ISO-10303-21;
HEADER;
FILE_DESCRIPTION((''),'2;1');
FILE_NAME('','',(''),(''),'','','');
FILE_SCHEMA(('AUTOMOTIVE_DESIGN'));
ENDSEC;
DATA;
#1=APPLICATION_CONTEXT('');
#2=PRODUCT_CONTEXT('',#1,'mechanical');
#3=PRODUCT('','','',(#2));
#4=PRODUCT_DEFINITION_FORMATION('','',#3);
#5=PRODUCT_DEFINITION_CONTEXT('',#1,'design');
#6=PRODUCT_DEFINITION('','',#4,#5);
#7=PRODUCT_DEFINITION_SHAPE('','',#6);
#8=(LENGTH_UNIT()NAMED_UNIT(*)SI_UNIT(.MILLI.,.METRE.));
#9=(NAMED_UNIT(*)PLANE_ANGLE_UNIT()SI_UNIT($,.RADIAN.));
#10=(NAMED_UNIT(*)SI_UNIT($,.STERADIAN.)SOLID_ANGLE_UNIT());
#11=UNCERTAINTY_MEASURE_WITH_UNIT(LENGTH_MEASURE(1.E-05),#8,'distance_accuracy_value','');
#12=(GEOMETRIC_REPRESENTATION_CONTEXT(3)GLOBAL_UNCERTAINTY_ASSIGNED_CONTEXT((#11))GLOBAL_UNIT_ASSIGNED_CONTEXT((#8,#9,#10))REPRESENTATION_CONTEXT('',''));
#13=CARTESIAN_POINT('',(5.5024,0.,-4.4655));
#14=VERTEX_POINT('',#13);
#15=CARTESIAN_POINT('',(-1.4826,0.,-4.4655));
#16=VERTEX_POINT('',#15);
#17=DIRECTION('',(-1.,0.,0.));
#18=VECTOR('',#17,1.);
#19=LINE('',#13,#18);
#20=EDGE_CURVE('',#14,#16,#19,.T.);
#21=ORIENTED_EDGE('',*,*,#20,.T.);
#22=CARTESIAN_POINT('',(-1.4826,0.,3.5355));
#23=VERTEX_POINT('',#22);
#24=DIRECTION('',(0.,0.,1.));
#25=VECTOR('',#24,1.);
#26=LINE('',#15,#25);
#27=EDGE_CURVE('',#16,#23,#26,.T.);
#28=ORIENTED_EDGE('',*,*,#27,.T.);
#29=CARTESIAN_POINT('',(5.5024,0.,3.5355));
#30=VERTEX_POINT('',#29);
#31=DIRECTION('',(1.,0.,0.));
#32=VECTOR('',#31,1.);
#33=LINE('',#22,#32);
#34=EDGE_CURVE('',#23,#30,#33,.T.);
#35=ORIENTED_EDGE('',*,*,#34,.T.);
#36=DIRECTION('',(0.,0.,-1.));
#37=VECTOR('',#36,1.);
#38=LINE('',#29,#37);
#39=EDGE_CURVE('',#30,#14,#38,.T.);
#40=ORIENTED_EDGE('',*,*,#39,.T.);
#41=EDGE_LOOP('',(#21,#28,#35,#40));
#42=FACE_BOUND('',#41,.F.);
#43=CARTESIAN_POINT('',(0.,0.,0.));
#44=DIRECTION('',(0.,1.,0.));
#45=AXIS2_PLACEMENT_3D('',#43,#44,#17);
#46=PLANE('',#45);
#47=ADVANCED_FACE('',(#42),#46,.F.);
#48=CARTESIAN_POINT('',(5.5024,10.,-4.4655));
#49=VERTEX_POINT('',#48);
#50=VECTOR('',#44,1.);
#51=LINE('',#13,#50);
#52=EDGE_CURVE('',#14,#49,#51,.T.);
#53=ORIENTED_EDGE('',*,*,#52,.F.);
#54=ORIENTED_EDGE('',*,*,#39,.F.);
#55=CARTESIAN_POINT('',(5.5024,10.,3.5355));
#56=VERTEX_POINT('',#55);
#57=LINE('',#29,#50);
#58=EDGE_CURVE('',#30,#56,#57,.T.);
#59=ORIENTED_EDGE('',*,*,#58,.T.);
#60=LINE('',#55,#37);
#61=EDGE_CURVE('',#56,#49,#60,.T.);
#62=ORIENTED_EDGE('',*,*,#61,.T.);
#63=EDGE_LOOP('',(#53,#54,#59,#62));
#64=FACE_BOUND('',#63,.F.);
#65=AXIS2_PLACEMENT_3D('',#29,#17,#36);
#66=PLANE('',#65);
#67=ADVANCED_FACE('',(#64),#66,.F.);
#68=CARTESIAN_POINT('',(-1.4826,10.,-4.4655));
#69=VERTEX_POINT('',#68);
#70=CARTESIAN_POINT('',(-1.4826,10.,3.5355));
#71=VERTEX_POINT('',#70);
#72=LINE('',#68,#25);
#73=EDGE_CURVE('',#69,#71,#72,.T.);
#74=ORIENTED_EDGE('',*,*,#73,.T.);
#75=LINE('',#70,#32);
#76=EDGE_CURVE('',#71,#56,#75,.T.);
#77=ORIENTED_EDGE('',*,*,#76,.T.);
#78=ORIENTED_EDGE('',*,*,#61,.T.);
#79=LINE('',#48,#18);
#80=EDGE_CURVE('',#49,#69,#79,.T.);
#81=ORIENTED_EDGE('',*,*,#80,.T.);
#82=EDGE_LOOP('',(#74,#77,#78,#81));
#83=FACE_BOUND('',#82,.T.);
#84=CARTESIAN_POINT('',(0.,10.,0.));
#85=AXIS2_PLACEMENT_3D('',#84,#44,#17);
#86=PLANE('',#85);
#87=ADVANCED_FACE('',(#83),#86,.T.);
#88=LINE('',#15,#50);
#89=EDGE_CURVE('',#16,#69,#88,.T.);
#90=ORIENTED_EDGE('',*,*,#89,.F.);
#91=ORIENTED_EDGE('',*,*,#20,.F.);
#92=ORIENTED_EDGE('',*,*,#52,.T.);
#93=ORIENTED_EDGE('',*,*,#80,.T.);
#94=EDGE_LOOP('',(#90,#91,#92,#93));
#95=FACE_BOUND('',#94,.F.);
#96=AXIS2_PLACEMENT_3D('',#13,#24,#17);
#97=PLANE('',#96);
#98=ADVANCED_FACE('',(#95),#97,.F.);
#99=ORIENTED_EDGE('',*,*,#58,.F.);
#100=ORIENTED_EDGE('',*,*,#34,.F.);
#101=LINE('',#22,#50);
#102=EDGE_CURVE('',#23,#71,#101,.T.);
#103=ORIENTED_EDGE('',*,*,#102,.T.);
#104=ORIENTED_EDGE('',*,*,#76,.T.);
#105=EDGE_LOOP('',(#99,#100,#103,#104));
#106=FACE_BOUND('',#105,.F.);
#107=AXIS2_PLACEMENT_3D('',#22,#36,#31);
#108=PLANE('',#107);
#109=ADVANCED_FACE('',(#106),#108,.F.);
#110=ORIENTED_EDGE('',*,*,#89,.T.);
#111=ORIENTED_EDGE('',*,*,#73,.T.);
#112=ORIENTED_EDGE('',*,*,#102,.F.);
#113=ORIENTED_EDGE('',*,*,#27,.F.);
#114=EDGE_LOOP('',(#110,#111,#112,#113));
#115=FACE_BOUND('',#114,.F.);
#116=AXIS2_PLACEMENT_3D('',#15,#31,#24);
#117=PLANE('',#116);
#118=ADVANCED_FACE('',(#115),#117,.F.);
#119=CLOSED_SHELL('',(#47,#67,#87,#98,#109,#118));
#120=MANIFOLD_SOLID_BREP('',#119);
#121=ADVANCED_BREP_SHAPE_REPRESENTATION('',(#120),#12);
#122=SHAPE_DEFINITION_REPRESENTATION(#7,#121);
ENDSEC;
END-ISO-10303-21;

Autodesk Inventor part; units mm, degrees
ref_plane "YZ Plane" through (0, 0, 0) normal (1, 0, 0) x (0, 1, 0)
ref_plane "XZ Plane" through (0, 0, 0) normal (0, 1, 0) x (-1, 0, 0)
ref_plane "XY Plane" through (0, 0, 0) normal (0, 0, 1) x (1, 0, 0)
sketch "Sketch1" plane through (0, 0, 0) normal (0, 1, 0) x (-1, 0, 0)
  line L0 (1.4826, 3.5355) -> (-5.5024, 3.5355)
  line L1 (-5.5024, 3.5355) -> (-5.5024, -4.4655)
  line L2 (-5.5024, -4.4655) -> (1.4826, -4.4655)
  line L3 (1.4826, -4.4655) -> (1.4826, 3.5355)
  point P0 (0, 0)
  dimension "d0" = 8.001
  dimension "d1" = 6.985
extrude "Extrusion1" add sketch "Sketch1" along normal blind 10
properties part number "SwitchBlock"
